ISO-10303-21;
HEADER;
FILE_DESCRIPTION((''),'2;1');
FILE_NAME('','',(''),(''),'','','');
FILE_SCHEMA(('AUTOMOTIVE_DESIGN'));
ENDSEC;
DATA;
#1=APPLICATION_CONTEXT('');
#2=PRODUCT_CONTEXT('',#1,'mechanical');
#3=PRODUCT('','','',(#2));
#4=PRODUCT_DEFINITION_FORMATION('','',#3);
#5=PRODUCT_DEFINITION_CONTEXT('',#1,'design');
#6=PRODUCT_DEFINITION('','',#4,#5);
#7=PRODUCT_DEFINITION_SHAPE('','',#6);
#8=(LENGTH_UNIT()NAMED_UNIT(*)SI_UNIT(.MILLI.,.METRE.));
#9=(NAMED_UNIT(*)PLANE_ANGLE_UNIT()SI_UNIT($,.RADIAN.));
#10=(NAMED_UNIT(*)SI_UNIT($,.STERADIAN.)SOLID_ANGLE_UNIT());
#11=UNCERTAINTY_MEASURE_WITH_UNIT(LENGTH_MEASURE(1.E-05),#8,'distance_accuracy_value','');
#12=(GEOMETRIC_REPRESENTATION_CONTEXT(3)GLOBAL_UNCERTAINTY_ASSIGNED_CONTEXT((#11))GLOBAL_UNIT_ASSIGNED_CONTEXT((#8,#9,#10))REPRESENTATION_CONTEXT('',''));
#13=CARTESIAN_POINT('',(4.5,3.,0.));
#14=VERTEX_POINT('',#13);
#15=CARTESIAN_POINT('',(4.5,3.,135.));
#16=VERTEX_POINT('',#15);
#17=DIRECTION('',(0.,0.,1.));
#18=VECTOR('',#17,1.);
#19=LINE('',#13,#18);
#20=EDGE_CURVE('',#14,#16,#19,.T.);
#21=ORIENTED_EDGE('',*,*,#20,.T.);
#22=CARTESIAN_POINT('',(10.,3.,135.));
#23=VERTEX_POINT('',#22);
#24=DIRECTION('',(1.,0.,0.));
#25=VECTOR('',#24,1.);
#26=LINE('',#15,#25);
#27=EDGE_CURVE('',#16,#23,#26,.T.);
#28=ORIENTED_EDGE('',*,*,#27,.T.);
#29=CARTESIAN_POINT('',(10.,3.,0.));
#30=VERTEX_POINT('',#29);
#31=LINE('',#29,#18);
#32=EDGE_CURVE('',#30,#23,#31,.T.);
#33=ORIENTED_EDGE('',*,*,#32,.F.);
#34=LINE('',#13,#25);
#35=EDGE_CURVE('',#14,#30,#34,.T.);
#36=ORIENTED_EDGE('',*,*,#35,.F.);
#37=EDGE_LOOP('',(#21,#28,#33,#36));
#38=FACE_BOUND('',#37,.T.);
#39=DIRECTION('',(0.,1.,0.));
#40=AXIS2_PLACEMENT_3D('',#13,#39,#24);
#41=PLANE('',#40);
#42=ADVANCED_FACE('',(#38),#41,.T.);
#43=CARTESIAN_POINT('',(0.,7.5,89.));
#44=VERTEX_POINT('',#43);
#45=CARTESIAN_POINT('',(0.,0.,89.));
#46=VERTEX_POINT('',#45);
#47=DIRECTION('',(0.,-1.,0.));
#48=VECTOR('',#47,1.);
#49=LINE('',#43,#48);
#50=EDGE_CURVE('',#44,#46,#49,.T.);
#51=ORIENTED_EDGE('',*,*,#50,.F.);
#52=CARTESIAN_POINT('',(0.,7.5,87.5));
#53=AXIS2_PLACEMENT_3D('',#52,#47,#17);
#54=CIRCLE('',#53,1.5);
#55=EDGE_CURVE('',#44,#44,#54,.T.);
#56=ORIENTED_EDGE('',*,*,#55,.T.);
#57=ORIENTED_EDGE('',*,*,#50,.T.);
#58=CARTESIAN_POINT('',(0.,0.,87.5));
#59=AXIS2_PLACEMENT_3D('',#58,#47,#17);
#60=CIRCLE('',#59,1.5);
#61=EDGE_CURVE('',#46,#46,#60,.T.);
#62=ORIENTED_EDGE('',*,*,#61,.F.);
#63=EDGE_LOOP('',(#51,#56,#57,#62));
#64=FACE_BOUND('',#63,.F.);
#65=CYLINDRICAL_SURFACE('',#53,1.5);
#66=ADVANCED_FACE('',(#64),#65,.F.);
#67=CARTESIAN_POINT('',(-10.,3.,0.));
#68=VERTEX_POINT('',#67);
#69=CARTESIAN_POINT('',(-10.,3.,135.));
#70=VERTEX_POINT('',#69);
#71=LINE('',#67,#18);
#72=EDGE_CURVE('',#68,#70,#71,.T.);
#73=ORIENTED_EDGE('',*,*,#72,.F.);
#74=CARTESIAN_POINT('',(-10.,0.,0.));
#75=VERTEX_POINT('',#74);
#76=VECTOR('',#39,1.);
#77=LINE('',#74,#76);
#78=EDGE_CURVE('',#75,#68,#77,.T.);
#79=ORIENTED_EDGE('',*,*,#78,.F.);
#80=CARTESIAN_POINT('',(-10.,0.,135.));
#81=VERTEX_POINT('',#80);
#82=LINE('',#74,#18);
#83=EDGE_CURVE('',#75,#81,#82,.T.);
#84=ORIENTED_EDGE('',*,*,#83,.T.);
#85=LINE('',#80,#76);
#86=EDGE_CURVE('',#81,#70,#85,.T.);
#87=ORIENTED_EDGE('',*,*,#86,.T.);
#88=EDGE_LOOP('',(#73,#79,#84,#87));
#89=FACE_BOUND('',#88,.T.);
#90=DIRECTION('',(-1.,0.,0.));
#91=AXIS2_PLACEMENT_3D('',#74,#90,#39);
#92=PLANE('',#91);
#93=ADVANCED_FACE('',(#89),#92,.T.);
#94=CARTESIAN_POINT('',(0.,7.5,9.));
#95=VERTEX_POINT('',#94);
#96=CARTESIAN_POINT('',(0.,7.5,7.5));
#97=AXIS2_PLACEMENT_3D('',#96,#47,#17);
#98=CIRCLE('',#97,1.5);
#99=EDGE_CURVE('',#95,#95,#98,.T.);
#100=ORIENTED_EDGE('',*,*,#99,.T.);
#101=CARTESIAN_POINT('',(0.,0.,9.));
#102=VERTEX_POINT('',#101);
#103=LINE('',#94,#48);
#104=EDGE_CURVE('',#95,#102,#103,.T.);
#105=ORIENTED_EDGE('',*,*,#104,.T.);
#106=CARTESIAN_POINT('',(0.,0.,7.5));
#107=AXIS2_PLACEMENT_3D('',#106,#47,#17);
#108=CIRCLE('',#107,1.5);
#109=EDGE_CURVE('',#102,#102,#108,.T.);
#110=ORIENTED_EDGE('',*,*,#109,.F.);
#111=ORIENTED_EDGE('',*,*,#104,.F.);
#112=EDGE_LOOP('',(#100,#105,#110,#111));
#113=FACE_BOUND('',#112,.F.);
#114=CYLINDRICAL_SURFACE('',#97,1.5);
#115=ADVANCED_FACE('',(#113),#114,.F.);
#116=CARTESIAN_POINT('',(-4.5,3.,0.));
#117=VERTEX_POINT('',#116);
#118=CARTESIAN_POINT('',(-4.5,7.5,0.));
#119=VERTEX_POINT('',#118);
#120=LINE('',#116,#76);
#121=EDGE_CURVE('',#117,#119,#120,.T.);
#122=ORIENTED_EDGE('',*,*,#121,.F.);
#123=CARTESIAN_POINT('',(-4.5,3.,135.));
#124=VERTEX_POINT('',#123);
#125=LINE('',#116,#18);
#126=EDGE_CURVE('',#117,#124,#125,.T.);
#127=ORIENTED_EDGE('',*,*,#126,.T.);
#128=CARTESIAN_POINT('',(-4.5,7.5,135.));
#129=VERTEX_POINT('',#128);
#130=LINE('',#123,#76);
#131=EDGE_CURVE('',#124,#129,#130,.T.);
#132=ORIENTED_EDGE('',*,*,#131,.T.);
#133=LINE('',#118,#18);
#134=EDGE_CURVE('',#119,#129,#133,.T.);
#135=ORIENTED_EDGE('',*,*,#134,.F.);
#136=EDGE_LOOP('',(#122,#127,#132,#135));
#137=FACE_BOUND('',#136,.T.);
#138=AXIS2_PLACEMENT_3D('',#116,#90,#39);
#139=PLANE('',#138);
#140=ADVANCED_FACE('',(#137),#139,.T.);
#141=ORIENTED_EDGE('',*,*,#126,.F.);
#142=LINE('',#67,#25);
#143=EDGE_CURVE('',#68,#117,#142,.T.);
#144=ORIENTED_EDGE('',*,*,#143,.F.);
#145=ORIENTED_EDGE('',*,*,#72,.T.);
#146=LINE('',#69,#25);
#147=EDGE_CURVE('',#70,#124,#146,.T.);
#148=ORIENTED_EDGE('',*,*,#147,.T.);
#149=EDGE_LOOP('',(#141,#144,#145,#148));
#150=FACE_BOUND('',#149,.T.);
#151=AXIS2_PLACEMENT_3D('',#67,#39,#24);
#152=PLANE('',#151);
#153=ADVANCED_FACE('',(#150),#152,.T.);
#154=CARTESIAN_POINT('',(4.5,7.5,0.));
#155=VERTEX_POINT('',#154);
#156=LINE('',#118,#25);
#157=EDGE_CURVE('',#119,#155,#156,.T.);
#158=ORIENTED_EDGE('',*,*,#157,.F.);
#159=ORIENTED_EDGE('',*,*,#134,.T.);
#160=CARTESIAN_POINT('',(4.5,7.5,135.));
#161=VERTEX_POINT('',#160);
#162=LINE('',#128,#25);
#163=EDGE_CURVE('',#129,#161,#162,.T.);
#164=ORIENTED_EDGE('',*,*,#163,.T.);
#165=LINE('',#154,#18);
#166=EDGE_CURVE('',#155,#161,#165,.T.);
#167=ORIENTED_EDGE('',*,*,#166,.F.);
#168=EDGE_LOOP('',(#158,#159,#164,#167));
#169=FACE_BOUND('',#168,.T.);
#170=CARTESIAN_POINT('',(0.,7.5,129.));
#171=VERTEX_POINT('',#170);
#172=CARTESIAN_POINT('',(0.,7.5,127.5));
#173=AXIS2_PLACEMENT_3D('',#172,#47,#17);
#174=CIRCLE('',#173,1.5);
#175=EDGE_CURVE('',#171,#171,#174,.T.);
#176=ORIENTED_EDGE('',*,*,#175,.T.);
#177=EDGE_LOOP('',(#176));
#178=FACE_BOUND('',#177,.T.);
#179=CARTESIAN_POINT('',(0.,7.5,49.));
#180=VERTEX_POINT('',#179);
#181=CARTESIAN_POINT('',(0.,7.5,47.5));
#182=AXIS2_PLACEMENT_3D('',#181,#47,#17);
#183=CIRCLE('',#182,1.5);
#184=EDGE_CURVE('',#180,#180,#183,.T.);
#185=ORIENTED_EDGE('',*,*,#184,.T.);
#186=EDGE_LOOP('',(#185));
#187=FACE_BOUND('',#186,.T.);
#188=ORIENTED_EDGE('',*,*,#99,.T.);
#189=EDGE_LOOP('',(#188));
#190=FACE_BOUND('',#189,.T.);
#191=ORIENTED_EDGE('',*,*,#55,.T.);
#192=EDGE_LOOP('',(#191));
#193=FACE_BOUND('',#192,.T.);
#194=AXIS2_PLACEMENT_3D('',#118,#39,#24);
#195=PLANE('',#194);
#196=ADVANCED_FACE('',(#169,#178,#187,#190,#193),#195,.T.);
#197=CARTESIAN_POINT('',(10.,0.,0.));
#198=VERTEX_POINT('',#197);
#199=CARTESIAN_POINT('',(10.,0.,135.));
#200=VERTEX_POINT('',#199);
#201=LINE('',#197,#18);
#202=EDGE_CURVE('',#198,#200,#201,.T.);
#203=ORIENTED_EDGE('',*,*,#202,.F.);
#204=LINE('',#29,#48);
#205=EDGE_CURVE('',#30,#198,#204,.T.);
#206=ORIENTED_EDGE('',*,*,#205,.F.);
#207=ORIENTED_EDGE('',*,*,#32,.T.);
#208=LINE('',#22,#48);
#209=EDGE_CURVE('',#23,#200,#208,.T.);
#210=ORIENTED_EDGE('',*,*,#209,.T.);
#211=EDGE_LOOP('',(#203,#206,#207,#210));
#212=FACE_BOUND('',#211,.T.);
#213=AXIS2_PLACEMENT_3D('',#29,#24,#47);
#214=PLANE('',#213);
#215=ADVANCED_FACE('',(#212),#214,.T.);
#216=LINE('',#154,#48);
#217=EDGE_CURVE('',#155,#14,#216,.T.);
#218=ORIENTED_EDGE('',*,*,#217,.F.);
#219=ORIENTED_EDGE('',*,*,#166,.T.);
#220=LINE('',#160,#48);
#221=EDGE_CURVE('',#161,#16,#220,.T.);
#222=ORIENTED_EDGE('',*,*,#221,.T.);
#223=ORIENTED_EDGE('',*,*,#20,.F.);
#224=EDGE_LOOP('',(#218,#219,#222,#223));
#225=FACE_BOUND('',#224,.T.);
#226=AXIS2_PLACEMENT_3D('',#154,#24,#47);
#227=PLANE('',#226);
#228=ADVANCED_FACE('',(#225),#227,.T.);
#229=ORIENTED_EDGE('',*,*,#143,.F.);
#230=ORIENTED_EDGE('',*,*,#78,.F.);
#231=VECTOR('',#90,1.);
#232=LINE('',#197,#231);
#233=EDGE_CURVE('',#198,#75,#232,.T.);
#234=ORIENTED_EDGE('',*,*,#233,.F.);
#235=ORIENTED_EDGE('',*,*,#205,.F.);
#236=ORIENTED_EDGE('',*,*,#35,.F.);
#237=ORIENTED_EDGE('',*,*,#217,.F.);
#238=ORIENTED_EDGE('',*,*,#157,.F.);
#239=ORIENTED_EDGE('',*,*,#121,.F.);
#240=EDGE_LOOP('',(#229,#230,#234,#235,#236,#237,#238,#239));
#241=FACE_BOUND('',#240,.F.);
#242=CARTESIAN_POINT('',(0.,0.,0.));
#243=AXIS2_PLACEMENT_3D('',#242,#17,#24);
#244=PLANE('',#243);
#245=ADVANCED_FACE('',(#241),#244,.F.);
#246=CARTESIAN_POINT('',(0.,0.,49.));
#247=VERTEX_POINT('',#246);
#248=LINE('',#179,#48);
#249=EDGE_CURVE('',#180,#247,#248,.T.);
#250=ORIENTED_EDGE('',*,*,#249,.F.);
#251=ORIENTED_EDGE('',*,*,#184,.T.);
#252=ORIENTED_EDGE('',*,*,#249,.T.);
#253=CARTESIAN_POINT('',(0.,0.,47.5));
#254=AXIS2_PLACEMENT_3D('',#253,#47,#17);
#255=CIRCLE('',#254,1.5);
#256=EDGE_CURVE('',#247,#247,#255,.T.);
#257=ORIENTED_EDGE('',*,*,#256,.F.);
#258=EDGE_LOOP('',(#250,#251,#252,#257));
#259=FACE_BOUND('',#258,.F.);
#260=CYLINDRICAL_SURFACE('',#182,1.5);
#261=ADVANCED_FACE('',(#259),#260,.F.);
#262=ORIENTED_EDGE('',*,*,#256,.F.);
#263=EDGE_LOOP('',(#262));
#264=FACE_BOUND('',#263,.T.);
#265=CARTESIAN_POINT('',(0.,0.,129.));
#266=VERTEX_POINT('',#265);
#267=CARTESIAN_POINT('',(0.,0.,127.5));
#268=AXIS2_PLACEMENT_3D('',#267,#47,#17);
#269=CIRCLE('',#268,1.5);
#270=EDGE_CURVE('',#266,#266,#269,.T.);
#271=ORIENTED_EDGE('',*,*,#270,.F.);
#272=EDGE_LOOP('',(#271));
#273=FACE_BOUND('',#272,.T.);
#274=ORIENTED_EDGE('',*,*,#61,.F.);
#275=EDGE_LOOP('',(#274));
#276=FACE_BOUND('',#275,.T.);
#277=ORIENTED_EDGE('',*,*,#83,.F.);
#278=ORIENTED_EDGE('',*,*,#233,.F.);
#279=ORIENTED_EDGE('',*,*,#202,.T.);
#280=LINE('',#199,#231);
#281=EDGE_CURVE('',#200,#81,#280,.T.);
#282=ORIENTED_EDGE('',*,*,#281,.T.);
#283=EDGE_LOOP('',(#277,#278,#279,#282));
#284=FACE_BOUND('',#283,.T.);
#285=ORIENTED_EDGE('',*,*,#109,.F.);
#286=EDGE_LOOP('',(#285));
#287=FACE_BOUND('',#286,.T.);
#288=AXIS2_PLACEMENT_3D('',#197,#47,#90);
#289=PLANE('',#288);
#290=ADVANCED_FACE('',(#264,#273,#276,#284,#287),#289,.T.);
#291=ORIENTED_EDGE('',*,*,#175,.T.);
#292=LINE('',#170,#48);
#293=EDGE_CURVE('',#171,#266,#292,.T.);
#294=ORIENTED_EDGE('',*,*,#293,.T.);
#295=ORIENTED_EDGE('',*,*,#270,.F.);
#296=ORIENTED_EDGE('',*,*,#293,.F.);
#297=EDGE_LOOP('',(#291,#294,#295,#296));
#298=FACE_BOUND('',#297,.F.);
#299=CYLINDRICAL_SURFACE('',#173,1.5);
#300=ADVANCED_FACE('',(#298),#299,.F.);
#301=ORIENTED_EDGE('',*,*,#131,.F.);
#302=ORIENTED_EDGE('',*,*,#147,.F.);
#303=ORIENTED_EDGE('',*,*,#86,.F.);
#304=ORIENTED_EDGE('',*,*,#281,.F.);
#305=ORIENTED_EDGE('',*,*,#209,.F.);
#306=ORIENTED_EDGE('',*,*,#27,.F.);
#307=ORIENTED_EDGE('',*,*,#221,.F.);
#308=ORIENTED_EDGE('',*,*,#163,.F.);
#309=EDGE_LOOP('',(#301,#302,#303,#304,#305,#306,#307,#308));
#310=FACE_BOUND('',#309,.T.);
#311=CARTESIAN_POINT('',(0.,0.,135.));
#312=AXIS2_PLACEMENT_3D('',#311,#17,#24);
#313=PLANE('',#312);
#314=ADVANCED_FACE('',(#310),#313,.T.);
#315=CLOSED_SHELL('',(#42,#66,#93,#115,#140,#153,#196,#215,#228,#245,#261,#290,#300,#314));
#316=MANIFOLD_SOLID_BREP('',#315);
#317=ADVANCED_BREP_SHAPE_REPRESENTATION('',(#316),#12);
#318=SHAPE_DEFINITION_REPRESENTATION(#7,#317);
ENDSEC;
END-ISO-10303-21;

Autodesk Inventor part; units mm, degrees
ref_plane "YZ Plane" through (0, 0, 0) normal (1, 0, 0) x (0, 1, 0)
ref_plane "XZ Plane" through (0, 0, 0) normal (0, 1, 0) x (-1, 0, 0)
ref_plane "XY Plane" through (0, 0, 0) normal (0, 0, 1) x (1, 0, 0)
sketch "スケッチ1" plane through (0, 0, 0) normal (0, 0, 1) x (1, 0, 0)
  line L0 (-10, 3) -> (-4.5, 3)
  line L1 (10, 3) -> (10, 0)
  line L2 (10, 0) -> (-10, 0)
  line L3 (-10, 0) -> (-10, 3)
  line L4 (-10, 3) -> (10, 0) construction
  line L5 (10, 3) -> (-10, 0) construction
  line L6 (-4.5, 7.5) -> (4.5, 7.5)
  line L7 (4.5, 7.5) -> (4.5, 3)
  line L8 (-4.5, 3) -> (-4.5, 7.5)
  line L9 (-4.5, 7.5) -> (4.5, 3) construction
  line L10 (4.5, 7.5) -> (-4.5, 3) construction
  line L11 (4.5, 3) -> (10, 3)
  point P0 (0, 0)
  point P1 (0, 1.5)
  point P2 (0, 5.25)
  dimension "d0" = 20
  dimension "d1" = 3
  dimension "d2" = 9
  dimension "d3" = 4.5
extrude "押し出し1" add sketch "スケッチ1" along normal blind 135
sketch "スケッチ2" plane through (-4.5, 7.5, 0) normal (0, 1, 0) x (1, 0, 0)
  line L0 (0, 0) -> (9, 0) projected
  line L1 (9, -135) -> (0, -135) projected
  point P0 (4.5, 0)
  point P1 (4.5, -7.5)
  point P2 (4.5, -47.5)
  point P3 (4.5, -87.5)
  point P4 (4.5, -127.5)
  dimension "d6" = 7.5
  dimension "d7" = 40
  dimension "d8" = 40
  dimension "d9" = 40
  dimension "d10" = 7.5
hole "穴1" at (0, 7.5, 7.5) at (0, 7.5, 47.5) at (0, 7.5, 87.5) at (0, 7.5, 127.5) direction (0, -1, 0) diameter 3 end through all
equation "\"d8\" = d7"
equation "\"d9\" = d7"
properties part number "slider_b7p5x20_135_sa" material "アルミニウム 6061-AHC"
